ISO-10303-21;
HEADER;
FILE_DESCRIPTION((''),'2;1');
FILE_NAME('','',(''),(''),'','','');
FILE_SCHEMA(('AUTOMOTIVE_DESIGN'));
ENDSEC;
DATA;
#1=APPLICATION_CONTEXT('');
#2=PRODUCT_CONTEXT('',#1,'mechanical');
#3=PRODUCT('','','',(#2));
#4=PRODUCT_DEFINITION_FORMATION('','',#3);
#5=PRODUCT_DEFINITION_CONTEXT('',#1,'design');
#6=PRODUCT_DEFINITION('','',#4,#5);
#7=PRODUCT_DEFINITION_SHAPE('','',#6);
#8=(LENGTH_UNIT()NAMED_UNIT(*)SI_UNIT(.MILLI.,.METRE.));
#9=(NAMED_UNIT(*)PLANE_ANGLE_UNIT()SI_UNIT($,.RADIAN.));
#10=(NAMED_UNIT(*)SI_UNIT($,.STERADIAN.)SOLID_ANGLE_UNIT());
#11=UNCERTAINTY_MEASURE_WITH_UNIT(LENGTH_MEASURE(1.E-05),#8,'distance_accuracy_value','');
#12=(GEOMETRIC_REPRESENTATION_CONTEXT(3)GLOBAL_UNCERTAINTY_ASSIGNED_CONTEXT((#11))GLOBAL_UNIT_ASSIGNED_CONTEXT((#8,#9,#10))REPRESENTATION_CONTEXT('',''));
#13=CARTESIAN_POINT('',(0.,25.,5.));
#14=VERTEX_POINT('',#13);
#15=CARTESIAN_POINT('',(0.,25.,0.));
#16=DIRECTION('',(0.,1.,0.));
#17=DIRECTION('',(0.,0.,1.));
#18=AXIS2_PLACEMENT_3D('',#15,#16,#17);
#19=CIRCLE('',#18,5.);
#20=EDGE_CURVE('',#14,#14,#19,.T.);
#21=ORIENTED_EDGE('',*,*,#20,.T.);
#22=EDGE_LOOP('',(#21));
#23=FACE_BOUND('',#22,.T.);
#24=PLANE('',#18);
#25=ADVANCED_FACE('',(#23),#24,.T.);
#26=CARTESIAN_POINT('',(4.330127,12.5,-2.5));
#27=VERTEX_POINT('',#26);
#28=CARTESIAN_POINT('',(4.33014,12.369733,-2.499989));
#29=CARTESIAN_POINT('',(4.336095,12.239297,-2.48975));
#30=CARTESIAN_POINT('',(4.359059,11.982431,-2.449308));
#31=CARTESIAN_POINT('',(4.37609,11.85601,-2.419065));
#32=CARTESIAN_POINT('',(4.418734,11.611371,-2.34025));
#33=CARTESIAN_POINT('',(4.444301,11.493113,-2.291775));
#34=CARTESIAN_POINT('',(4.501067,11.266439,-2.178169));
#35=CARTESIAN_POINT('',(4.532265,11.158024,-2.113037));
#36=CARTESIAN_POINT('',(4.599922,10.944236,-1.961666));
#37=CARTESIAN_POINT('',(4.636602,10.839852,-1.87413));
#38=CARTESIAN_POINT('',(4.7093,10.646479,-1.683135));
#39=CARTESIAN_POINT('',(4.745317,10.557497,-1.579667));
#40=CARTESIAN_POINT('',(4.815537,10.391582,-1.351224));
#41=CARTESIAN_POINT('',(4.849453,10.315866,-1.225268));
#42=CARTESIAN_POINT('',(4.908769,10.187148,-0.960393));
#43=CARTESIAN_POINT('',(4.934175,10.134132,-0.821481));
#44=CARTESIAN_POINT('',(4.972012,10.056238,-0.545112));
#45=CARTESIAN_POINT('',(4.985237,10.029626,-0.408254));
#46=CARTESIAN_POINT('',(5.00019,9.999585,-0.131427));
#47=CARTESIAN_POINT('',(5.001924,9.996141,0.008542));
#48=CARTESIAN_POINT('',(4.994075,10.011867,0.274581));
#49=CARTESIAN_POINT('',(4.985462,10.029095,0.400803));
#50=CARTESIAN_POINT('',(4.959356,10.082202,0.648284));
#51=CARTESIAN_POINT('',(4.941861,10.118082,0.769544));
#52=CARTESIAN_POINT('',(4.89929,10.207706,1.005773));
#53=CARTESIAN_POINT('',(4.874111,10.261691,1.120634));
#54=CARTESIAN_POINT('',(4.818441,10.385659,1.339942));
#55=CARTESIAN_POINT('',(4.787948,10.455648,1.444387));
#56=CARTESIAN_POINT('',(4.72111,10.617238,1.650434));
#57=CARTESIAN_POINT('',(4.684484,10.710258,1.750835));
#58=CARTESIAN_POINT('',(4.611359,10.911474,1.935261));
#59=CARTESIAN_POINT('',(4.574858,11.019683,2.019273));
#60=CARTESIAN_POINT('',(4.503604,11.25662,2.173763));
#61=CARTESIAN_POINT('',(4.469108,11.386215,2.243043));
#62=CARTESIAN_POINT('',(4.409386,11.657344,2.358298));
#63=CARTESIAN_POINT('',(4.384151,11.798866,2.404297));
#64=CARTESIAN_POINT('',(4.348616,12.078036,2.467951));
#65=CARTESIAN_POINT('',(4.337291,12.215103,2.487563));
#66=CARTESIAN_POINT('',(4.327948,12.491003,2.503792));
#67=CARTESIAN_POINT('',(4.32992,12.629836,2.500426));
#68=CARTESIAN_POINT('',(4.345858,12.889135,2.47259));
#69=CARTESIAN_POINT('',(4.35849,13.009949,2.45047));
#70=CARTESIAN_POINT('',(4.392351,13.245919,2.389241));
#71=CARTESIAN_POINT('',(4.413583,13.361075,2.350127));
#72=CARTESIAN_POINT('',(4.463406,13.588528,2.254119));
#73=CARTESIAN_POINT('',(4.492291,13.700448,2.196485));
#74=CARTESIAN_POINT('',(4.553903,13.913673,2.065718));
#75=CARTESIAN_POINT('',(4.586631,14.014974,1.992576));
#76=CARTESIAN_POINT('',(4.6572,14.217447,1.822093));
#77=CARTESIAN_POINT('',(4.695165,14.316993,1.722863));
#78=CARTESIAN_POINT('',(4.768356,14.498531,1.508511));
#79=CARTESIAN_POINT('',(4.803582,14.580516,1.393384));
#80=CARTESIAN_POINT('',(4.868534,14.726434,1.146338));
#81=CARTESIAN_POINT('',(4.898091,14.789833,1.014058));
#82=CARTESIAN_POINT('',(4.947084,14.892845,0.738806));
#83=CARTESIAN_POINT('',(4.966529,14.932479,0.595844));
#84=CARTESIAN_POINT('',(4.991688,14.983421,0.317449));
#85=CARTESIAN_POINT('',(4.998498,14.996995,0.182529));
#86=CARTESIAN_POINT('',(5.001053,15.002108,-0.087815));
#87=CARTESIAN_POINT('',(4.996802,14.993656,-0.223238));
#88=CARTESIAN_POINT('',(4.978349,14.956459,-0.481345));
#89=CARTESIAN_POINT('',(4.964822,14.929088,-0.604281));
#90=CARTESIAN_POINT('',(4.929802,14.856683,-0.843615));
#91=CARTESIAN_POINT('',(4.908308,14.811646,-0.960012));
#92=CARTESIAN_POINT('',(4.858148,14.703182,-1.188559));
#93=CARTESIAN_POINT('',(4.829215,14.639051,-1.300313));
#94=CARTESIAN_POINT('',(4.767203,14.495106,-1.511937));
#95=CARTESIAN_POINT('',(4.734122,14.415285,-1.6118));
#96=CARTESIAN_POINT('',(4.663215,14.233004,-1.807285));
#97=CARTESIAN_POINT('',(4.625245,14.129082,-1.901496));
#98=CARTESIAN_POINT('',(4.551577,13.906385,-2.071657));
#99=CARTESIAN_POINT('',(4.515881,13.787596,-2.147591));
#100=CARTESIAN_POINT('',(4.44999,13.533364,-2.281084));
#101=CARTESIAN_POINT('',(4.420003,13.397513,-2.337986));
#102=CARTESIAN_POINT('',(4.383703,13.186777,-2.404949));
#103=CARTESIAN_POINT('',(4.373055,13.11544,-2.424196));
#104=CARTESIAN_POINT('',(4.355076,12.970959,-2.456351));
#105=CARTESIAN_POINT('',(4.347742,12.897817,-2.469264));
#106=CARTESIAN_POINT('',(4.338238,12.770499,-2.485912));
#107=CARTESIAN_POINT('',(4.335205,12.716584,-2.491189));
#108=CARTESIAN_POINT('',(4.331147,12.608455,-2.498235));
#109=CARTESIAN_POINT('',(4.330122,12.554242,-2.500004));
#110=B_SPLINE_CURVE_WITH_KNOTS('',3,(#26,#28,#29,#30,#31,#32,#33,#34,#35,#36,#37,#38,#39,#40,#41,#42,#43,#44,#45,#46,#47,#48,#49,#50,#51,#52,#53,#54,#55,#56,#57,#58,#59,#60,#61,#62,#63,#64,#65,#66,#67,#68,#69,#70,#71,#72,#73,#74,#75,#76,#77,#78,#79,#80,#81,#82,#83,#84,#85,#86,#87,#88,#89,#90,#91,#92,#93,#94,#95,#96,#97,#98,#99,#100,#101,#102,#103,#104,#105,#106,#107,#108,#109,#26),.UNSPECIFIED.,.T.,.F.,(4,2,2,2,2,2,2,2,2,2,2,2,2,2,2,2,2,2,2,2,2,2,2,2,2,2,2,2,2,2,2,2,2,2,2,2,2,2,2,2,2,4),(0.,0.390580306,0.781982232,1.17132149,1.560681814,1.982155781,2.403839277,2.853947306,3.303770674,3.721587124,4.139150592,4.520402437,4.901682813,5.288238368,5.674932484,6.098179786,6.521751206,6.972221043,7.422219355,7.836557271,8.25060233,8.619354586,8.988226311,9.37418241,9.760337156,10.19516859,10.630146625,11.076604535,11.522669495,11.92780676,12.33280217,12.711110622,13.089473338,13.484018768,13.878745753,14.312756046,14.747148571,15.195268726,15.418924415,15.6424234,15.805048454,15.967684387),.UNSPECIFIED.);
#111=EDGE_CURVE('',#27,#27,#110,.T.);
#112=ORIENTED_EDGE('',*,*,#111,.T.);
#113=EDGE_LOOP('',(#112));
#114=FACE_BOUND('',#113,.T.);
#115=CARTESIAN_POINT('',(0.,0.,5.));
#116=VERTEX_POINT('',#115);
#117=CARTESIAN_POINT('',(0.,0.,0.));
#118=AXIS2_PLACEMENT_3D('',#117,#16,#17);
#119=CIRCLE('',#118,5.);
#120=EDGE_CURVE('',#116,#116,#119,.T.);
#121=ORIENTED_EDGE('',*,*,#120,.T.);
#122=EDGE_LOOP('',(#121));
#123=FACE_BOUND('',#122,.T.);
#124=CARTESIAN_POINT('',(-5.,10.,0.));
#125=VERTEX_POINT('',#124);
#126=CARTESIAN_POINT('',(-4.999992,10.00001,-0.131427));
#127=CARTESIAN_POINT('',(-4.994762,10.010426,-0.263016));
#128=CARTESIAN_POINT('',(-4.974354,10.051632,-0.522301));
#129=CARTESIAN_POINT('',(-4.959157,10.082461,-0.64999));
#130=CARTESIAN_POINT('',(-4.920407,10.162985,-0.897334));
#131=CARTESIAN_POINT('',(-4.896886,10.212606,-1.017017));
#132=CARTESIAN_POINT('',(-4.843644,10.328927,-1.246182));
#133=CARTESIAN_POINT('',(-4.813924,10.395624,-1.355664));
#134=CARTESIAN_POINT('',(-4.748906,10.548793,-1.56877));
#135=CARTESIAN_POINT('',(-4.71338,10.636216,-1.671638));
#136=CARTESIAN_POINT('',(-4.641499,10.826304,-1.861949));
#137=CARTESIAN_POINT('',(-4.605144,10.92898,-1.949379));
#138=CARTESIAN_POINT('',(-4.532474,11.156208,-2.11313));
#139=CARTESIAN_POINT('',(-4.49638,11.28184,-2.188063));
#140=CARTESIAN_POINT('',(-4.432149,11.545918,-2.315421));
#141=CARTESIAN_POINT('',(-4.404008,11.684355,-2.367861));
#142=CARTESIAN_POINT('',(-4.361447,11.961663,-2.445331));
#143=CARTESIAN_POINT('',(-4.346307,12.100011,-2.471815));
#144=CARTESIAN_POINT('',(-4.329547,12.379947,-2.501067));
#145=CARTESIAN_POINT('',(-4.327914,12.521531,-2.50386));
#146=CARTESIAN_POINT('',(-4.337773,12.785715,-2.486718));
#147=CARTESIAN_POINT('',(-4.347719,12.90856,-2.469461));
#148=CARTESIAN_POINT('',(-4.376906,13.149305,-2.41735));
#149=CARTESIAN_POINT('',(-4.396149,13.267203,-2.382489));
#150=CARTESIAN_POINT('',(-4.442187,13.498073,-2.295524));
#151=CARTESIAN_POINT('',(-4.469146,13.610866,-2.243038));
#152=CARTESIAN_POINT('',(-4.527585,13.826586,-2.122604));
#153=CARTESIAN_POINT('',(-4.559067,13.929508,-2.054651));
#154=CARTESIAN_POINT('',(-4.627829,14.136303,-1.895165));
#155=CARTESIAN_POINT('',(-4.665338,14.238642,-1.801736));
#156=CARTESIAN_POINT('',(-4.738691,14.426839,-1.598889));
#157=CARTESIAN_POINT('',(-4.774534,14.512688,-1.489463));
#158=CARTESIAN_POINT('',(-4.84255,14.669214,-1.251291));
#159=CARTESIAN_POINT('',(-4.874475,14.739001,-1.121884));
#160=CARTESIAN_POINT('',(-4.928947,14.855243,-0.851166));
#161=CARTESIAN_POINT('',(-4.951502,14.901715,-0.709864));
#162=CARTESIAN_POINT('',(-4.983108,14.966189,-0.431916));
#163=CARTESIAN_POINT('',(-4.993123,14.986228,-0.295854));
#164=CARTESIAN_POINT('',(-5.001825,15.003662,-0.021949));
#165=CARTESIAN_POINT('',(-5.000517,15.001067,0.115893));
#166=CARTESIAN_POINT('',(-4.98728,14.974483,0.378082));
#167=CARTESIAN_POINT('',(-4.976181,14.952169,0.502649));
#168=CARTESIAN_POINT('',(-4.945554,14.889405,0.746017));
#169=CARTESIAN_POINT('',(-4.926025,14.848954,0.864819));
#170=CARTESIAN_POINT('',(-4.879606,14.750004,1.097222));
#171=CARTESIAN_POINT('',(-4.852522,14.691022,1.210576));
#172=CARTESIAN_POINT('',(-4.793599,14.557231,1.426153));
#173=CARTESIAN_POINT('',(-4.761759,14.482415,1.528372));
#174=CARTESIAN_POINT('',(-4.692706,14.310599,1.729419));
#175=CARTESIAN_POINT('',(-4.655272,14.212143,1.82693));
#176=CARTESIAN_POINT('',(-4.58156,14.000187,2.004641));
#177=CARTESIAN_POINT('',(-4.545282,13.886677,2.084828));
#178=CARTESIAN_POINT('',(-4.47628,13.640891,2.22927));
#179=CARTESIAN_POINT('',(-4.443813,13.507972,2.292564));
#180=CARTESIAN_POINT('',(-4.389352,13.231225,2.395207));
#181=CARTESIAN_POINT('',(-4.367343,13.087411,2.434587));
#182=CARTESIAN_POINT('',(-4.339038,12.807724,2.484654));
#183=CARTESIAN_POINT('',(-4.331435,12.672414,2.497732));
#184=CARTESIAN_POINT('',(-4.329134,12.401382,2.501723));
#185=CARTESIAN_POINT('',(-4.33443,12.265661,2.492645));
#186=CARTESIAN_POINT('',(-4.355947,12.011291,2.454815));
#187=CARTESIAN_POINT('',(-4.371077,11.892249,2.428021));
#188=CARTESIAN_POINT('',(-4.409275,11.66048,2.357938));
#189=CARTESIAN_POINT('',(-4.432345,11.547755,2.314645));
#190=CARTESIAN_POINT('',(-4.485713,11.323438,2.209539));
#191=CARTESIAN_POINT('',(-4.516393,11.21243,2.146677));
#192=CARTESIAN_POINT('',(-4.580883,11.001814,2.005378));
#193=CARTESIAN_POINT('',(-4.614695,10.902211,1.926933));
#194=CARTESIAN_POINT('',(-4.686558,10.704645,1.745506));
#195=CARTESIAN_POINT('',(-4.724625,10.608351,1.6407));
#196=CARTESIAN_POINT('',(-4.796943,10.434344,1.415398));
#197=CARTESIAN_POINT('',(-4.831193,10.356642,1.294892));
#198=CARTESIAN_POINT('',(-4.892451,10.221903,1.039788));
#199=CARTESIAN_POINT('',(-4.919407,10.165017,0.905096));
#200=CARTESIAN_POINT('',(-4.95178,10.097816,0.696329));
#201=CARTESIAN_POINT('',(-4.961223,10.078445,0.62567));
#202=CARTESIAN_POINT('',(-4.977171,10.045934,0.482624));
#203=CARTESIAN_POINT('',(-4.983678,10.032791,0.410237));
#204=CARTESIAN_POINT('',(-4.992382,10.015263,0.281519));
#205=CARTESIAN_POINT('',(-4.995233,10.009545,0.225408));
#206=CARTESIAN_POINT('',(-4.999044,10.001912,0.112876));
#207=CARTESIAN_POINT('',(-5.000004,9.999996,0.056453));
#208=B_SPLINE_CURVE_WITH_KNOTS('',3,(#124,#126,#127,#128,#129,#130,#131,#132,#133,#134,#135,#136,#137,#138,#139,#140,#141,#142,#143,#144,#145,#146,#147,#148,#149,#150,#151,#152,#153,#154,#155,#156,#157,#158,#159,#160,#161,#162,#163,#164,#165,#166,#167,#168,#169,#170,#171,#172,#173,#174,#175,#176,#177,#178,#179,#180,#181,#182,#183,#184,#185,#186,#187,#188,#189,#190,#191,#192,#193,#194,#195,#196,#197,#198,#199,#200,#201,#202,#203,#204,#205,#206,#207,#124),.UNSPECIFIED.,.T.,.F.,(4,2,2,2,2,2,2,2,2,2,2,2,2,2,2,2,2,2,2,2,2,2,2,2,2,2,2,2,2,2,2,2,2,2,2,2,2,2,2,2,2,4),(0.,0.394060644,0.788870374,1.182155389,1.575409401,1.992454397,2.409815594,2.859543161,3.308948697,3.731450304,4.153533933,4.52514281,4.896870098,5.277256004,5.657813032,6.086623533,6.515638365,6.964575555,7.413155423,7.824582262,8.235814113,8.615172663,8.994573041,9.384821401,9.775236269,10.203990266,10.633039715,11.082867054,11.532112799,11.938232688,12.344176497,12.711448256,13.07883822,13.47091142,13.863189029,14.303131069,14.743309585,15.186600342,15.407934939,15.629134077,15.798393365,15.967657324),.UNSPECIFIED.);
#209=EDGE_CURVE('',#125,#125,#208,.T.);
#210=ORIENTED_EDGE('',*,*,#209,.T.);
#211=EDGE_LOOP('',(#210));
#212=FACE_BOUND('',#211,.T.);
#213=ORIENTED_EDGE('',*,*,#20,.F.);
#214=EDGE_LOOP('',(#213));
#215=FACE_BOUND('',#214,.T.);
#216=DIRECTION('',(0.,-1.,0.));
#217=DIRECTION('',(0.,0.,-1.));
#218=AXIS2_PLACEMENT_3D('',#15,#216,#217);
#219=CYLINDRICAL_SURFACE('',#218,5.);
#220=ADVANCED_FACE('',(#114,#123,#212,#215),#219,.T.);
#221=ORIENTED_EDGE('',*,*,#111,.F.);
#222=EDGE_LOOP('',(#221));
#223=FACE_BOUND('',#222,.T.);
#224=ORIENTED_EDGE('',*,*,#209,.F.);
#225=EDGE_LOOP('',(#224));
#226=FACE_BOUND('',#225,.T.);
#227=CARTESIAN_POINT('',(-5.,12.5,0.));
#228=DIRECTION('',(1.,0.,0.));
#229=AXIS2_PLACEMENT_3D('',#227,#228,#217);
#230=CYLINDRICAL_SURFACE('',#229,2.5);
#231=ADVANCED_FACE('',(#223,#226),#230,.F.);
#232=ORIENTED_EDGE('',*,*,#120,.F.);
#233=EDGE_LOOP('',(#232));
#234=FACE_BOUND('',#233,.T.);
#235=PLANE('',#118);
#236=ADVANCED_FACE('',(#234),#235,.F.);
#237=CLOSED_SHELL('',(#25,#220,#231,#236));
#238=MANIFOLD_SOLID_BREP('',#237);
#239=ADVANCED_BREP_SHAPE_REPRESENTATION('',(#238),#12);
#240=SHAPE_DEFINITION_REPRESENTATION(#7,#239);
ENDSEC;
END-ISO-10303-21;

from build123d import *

# Parameters (mm, degrees)
SKETCH1_R           = 5
BOSS_EXTRUDE1_DEPTH = 25
SKETCH2_R           = 2.5
CUT_EXTRUDE1_DEPTH  = 5


with BuildPart() as part:
    # Sketch1 → Boss-Extrude1 (new body)
    with BuildSketch(Plane(origin=(0, 0, 0), x_dir=(1, 0, 0), z_dir=(0, 1, 0))):
        with Locations(Location((0, 0, 0), (0, 0, 270))):
            Circle(SKETCH1_R)
    extrude(amount=BOSS_EXTRUDE1_DEPTH)

    # Sketch2 → Cut-Extrude1 (cut, symmetric)
    with BuildSketch(Plane(origin=(0, 0, 0), x_dir=(0, 0, -1), z_dir=(1, 0, 0))):
        with Locations((0, 12.5)):
            Circle(SKETCH2_R)
    extrude(amount=CUT_EXTRUDE1_DEPTH, both=True, mode=Mode.SUBTRACT)


solid = part.part
